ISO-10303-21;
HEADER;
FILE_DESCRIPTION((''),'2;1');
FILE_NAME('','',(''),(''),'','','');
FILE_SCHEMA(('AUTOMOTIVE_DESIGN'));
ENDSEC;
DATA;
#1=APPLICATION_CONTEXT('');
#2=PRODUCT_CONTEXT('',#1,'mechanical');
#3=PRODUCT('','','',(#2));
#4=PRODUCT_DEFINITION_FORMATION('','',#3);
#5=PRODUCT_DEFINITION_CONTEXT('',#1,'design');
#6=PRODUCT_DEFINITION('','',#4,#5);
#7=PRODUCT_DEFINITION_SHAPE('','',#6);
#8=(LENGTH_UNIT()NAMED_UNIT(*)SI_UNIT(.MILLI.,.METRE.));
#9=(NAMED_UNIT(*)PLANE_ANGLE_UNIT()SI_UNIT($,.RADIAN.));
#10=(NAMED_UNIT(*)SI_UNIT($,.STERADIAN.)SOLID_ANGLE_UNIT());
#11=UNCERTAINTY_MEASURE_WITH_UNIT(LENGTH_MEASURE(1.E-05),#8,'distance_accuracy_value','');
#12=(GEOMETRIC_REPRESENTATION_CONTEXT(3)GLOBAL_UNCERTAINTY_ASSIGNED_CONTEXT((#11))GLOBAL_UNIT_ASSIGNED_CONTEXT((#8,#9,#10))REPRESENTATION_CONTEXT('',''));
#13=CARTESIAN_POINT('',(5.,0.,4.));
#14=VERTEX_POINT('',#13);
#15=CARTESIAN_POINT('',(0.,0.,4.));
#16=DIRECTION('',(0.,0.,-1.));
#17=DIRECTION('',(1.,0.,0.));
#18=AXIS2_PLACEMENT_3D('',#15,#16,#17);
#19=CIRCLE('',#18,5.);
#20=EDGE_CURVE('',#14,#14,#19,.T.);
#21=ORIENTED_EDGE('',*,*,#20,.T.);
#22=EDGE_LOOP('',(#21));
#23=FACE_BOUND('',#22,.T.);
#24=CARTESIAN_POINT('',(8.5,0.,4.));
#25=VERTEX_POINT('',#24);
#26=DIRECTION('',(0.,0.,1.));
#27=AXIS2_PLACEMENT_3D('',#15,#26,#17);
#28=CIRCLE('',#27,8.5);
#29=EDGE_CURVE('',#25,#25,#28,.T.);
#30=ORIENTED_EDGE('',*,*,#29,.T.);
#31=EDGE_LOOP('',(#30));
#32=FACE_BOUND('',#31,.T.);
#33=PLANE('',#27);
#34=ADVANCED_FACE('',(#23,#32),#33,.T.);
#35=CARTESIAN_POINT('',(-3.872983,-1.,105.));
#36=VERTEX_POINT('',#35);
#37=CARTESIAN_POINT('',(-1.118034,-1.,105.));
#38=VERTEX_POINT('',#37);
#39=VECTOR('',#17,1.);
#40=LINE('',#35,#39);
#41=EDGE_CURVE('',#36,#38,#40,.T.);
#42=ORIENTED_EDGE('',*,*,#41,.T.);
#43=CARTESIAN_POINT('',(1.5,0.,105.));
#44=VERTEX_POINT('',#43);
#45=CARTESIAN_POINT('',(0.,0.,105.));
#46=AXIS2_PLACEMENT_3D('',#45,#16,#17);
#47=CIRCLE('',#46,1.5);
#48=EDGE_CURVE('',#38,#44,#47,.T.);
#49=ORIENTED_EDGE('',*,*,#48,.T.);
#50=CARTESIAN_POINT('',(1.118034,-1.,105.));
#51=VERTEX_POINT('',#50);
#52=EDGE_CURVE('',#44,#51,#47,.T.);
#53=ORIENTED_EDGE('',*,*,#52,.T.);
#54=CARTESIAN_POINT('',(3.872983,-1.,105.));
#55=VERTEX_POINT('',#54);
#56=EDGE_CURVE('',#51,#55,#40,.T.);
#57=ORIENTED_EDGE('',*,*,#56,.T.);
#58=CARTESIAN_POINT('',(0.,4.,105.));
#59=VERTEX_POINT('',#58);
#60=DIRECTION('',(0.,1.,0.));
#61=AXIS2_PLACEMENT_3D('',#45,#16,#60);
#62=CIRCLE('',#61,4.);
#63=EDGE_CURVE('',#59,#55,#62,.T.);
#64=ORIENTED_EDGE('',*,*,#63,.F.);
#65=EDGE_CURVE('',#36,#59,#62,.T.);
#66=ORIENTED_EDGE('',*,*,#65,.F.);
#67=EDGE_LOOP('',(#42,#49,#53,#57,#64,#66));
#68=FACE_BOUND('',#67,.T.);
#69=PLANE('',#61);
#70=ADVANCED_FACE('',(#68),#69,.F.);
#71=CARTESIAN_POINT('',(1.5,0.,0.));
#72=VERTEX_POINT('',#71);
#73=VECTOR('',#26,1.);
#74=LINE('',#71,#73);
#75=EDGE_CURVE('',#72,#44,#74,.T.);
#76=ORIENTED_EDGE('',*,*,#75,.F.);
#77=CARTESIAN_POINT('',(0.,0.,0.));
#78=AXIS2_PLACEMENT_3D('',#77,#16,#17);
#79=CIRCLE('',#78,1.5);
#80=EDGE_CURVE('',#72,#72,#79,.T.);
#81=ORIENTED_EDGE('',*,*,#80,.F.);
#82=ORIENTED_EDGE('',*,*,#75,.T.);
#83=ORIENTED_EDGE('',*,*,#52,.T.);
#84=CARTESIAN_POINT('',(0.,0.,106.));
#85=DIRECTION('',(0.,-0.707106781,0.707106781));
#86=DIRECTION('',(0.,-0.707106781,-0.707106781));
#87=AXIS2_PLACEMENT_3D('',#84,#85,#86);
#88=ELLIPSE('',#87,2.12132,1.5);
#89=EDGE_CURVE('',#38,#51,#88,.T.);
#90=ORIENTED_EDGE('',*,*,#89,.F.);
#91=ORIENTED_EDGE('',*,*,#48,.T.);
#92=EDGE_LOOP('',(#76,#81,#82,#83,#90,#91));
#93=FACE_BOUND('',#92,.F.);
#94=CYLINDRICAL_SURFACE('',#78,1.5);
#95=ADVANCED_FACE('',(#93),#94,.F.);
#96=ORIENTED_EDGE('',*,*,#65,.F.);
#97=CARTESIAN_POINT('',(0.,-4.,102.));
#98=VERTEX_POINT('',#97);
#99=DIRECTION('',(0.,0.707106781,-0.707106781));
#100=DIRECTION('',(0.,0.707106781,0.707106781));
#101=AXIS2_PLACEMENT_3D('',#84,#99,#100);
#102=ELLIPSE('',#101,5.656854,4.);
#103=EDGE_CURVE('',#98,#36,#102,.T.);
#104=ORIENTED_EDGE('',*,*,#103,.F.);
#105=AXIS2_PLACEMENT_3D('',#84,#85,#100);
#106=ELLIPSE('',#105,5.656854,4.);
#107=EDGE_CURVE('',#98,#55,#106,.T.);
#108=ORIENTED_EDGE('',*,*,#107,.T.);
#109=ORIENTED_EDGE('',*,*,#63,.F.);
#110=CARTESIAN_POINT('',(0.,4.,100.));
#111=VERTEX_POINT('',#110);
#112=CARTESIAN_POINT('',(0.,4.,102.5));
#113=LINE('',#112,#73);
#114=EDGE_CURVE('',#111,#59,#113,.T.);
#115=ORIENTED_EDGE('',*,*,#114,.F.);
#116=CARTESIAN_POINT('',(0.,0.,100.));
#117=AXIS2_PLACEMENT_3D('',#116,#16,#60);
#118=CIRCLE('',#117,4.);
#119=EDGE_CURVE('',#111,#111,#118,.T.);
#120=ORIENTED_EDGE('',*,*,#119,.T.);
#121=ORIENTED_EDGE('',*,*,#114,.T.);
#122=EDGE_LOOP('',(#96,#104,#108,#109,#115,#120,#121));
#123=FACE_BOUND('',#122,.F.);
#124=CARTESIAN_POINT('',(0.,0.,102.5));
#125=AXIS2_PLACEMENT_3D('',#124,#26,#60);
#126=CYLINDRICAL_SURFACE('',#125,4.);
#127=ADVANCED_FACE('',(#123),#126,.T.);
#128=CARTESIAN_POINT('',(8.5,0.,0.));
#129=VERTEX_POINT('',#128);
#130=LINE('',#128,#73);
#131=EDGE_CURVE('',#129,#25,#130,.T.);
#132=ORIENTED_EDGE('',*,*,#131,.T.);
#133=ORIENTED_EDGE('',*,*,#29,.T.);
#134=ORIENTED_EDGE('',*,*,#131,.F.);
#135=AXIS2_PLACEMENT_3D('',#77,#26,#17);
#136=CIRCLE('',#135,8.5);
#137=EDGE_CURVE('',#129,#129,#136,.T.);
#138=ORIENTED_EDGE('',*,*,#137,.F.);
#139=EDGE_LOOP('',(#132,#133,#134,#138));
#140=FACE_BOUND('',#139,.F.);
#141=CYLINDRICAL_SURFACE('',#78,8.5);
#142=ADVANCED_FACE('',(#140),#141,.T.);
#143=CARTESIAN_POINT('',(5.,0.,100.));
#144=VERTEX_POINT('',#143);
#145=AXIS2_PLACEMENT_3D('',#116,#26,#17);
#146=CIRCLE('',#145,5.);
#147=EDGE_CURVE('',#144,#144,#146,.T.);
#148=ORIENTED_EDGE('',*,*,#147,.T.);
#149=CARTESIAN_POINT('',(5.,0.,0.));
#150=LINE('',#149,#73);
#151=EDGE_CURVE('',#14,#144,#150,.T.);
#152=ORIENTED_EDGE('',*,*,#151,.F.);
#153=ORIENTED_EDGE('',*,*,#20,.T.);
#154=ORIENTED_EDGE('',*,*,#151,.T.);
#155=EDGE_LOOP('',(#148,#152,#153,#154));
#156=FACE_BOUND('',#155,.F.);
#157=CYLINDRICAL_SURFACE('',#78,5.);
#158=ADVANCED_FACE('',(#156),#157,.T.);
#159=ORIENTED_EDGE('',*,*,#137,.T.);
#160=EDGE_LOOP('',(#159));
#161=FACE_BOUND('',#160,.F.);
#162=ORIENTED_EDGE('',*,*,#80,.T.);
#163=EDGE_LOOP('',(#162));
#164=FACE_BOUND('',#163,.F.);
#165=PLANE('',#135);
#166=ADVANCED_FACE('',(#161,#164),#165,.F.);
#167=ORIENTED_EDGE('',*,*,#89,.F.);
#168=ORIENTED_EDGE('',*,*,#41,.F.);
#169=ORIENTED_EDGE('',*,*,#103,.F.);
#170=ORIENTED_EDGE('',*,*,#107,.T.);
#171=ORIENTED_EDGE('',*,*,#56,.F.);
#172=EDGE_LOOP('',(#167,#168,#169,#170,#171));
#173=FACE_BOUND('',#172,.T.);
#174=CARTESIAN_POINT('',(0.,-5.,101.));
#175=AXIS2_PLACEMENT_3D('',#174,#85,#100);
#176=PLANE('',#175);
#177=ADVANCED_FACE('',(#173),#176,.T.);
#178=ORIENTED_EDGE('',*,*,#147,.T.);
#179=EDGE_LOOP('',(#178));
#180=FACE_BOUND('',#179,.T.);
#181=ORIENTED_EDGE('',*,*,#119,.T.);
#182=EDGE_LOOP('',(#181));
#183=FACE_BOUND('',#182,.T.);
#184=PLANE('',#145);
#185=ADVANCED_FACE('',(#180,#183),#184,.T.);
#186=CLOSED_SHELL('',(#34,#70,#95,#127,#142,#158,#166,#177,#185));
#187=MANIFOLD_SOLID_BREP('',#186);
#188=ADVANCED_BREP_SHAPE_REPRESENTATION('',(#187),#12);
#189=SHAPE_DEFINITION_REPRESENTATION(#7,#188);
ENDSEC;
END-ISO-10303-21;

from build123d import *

# Parameters (mm, degrees)
F0_R          = 8.5
F1_DEPTH      = 4
F3_R          = 5
F4_DEPTH      = 100
F5_W          = 4
F5_H          = 5
F9_DEPTH      = 8.501
F9_DEPTH_BACK = 25
F10_R         = 1.5
F11_DEPTH     = 110.8


with BuildPart() as f1:
    # F0 (on Top) → F1 (new body)
    with BuildSketch(Plane.XY):
        Circle(F0_R)
    extrude(amount=F1_DEPTH)

    # F3 (on Top) → F4 (join)
    with BuildSketch(Plane.XY):
        Circle(F3_R)
    extrude(amount=F4_DEPTH)

    # F5 (on Right) → F6 (revolve)
    with BuildSketch(Plane.YZ):
        with Locations((2, 102.5)):
            Rectangle(F5_W, F5_H)
    revolve(axis=Axis((0, 0, 102.5), (0, 0, -1)))

    # F8 (on Right) → F9 (cut, two sides)
    with BuildSketch(Plane.YZ) as f9_sk:
        Polygon((0, 106), (-5, 106), (-5, 101), align=None)
    extrude(amount=-F9_DEPTH, mode=Mode.SUBTRACT)
    extrude(f9_sk.sketch, amount=F9_DEPTH_BACK, mode=Mode.SUBTRACT)

    # F10 (on face) → F11 (cut)
    with BuildSketch(Plane(origin=(0, 0, 0), x_dir=(1, 0, 0), z_dir=(0, 0, -1))):
        Circle(F10_R)
    extrude(amount=-F11_DEPTH, mode=Mode.SUBTRACT)


solid = f1.part
